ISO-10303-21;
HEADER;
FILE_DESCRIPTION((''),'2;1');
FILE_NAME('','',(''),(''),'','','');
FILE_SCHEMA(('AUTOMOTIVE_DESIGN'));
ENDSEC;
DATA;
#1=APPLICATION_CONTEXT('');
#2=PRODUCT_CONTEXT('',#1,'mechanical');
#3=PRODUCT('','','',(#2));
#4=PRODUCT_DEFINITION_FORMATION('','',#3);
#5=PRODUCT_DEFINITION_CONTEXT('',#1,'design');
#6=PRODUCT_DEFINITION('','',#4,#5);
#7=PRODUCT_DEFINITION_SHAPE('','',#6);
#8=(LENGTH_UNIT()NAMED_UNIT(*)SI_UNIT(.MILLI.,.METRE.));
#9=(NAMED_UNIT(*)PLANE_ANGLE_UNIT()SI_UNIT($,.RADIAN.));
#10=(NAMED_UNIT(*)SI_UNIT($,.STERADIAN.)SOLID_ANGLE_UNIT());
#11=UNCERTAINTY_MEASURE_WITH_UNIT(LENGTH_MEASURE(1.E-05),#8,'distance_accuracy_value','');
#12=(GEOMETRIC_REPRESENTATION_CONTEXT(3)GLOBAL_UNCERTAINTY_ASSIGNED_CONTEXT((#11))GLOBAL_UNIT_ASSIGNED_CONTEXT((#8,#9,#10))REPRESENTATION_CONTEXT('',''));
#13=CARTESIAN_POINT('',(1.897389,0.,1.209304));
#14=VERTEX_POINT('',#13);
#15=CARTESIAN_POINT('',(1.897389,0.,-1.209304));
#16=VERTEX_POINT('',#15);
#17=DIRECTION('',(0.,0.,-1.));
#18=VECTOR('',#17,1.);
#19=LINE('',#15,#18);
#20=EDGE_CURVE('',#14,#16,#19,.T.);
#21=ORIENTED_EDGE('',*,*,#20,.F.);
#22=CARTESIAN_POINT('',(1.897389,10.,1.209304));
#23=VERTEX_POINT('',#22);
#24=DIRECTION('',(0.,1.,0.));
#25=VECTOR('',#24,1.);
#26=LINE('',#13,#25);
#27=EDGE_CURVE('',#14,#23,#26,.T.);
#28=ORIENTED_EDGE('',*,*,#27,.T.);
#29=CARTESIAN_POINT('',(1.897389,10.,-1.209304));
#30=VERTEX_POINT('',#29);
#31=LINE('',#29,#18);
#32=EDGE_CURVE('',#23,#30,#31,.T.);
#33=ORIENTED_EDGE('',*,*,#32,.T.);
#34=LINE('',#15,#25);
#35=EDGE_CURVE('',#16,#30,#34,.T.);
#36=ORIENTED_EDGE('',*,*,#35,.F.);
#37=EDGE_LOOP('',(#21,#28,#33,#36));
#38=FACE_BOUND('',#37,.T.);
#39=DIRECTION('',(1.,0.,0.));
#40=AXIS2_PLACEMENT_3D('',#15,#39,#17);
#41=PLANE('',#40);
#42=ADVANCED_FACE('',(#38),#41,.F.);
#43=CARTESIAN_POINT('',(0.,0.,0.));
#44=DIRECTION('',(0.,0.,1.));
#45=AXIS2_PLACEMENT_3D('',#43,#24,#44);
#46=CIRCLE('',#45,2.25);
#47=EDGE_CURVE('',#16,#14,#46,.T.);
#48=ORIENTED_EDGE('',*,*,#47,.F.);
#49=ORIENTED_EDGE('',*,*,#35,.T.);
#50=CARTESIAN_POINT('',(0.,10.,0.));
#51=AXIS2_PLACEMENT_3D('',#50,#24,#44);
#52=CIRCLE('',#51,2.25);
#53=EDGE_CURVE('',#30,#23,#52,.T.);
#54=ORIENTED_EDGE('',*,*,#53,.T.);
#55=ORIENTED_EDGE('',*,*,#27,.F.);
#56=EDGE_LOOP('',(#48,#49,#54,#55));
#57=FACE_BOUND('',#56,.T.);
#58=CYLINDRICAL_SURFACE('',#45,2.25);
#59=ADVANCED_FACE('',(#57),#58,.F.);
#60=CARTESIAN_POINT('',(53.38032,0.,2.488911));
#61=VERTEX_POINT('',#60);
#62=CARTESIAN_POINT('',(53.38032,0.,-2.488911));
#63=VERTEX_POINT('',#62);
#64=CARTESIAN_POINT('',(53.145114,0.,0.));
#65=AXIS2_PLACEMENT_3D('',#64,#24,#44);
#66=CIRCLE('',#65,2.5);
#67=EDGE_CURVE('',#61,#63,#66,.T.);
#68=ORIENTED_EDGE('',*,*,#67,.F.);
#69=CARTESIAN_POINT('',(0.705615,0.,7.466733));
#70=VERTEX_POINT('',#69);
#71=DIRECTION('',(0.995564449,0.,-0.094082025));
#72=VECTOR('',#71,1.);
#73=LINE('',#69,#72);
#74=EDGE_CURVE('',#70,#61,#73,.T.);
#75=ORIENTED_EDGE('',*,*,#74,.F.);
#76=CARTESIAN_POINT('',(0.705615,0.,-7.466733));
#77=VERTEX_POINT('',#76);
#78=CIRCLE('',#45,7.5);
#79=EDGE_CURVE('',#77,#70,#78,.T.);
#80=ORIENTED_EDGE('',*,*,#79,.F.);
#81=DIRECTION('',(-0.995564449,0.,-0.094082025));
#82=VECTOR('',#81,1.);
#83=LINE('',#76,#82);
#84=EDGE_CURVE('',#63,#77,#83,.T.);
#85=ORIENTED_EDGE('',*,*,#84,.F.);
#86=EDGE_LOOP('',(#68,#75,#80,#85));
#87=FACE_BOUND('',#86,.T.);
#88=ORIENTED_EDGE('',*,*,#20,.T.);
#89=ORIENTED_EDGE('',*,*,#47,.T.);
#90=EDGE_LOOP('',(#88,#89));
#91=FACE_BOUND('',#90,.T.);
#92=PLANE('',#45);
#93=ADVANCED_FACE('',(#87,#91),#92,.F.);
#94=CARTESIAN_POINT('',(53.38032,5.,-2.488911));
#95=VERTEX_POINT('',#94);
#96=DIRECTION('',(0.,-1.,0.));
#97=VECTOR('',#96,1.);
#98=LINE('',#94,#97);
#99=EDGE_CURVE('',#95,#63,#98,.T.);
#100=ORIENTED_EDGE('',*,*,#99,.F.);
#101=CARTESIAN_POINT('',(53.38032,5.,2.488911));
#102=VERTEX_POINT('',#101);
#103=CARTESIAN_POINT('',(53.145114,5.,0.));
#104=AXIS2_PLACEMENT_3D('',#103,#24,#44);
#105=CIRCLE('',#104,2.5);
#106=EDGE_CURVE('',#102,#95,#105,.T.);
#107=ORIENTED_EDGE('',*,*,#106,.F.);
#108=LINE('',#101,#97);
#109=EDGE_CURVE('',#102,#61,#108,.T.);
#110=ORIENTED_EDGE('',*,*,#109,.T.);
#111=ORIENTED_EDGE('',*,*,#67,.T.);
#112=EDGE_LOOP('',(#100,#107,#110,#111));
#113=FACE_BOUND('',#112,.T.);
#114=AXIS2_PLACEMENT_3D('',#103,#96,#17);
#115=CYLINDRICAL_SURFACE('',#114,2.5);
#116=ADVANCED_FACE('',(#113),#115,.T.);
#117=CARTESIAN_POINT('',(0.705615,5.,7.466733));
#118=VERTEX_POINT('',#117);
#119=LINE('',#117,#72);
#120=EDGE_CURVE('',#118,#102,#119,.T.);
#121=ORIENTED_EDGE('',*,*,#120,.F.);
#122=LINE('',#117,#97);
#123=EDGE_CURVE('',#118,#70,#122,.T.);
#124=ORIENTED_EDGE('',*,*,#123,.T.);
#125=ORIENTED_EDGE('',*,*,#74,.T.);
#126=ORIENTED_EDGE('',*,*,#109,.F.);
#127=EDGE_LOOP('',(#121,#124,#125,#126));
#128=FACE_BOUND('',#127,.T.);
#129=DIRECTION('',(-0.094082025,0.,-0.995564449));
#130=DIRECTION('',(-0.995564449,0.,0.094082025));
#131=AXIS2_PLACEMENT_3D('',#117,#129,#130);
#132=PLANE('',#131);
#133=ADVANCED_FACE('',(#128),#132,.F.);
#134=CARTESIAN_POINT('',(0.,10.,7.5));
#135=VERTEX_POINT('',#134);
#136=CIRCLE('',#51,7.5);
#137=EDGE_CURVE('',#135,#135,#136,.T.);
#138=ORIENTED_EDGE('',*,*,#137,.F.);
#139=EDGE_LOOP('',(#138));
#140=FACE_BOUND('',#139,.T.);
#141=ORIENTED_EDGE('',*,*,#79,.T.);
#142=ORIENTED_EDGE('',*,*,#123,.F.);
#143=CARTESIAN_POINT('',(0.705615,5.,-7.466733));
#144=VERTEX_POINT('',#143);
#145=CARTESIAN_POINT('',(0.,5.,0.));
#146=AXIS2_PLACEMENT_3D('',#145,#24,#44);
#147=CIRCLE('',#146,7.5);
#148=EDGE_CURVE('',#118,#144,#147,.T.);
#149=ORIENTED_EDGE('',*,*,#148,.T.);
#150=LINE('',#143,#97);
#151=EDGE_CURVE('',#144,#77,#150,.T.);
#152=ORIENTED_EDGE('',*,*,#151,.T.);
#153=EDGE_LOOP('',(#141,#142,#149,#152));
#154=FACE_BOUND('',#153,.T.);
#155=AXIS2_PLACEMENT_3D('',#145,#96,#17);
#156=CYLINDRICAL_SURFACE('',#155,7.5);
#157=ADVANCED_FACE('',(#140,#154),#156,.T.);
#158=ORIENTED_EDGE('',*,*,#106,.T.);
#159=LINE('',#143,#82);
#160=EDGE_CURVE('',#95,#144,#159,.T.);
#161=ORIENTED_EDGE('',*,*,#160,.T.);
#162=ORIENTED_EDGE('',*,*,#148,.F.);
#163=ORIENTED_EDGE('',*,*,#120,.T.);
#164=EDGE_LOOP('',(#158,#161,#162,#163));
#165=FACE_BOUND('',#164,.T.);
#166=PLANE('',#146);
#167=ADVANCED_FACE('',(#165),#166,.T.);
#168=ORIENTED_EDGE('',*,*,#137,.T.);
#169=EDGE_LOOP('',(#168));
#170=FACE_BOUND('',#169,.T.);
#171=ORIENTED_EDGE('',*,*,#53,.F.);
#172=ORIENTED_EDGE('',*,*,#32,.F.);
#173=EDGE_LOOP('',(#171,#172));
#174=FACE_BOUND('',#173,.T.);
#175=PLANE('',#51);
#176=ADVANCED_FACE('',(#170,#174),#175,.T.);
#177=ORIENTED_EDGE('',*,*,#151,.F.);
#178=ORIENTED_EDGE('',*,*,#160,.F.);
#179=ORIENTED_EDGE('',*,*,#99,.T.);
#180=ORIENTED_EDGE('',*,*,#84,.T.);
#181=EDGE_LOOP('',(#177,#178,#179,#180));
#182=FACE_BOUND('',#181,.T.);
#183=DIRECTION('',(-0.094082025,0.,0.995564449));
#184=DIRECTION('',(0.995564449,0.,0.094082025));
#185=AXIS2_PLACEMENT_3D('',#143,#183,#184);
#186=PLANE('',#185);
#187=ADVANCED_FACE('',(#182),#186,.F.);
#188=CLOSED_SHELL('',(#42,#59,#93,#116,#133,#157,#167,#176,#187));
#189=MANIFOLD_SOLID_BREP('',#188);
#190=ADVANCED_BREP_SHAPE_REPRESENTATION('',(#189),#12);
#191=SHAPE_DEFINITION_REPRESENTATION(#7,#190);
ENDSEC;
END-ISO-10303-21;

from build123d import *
from build123d.topology import SkipClean

# Parameters (mm, degrees)
EXTRUDE_1_DEPTH     = 5
SKETCH_2_R          = 7.5
EXTRUDE_2_DEPTH     = 5
CUT_EXTRUDE_1_DEPTH = 58.031822398


with BuildPart() as part:
    # 草图1 → 凸台-拉伸1 (new body)
    with BuildSketch(Plane(origin=(0, 0, 0), x_dir=(1, 0, 0), z_dir=(0, 1, 0))):
        with BuildLine():
            Line((0.705615189, 7.466733369), (53.380319548, 2.488911123))
            ThreePointArc((53.380319548, 2.488911123), (55.645114485, 0), (53.380319548, -2.488911123))
            Line((53.380319548, -2.488911123), (0.705615189, -7.466733369))
            ThreePointArc((0.705615189, -7.466733369), (-7.5, 0), (0.705615189, 7.466733369))
        make_face()
    extrude(amount=EXTRUDE_1_DEPTH)

    # 草图2 → 凸台-拉伸2 (add)
    with SkipClean():  # the faces are left unmerged after this step: merging them gives an invalid solid
        with BuildSketch(Plane(origin=(0, 5, 0), x_dir=(1, 0, 0), z_dir=(0, 1, 0))):
            with Locations(Location((0, 0, 0), (0, 0, 84.601512911))):
                Circle(SKETCH_2_R)
        extrude(amount=EXTRUDE_2_DEPTH)

    # 草图3 → 切除-拉伸1 (cut, through all)
    with SkipClean():  # the faces are left unmerged after this step: merging them gives an invalid solid
        with BuildSketch(Plane(origin=(0, 10, 0), x_dir=(1, 0, 0), z_dir=(0, 1, 0))):
            with BuildLine():
                Line((1.897388784, 1.20930385), (1.897388784, -1.20930385))
                ThreePointArc((1.897388784, -1.20930385), (-2.25, 0), (1.897388784, 1.20930385))
            make_face()
        extrude(amount=-CUT_EXTRUDE_1_DEPTH, mode=Mode.SUBTRACT)


solid = part.part
